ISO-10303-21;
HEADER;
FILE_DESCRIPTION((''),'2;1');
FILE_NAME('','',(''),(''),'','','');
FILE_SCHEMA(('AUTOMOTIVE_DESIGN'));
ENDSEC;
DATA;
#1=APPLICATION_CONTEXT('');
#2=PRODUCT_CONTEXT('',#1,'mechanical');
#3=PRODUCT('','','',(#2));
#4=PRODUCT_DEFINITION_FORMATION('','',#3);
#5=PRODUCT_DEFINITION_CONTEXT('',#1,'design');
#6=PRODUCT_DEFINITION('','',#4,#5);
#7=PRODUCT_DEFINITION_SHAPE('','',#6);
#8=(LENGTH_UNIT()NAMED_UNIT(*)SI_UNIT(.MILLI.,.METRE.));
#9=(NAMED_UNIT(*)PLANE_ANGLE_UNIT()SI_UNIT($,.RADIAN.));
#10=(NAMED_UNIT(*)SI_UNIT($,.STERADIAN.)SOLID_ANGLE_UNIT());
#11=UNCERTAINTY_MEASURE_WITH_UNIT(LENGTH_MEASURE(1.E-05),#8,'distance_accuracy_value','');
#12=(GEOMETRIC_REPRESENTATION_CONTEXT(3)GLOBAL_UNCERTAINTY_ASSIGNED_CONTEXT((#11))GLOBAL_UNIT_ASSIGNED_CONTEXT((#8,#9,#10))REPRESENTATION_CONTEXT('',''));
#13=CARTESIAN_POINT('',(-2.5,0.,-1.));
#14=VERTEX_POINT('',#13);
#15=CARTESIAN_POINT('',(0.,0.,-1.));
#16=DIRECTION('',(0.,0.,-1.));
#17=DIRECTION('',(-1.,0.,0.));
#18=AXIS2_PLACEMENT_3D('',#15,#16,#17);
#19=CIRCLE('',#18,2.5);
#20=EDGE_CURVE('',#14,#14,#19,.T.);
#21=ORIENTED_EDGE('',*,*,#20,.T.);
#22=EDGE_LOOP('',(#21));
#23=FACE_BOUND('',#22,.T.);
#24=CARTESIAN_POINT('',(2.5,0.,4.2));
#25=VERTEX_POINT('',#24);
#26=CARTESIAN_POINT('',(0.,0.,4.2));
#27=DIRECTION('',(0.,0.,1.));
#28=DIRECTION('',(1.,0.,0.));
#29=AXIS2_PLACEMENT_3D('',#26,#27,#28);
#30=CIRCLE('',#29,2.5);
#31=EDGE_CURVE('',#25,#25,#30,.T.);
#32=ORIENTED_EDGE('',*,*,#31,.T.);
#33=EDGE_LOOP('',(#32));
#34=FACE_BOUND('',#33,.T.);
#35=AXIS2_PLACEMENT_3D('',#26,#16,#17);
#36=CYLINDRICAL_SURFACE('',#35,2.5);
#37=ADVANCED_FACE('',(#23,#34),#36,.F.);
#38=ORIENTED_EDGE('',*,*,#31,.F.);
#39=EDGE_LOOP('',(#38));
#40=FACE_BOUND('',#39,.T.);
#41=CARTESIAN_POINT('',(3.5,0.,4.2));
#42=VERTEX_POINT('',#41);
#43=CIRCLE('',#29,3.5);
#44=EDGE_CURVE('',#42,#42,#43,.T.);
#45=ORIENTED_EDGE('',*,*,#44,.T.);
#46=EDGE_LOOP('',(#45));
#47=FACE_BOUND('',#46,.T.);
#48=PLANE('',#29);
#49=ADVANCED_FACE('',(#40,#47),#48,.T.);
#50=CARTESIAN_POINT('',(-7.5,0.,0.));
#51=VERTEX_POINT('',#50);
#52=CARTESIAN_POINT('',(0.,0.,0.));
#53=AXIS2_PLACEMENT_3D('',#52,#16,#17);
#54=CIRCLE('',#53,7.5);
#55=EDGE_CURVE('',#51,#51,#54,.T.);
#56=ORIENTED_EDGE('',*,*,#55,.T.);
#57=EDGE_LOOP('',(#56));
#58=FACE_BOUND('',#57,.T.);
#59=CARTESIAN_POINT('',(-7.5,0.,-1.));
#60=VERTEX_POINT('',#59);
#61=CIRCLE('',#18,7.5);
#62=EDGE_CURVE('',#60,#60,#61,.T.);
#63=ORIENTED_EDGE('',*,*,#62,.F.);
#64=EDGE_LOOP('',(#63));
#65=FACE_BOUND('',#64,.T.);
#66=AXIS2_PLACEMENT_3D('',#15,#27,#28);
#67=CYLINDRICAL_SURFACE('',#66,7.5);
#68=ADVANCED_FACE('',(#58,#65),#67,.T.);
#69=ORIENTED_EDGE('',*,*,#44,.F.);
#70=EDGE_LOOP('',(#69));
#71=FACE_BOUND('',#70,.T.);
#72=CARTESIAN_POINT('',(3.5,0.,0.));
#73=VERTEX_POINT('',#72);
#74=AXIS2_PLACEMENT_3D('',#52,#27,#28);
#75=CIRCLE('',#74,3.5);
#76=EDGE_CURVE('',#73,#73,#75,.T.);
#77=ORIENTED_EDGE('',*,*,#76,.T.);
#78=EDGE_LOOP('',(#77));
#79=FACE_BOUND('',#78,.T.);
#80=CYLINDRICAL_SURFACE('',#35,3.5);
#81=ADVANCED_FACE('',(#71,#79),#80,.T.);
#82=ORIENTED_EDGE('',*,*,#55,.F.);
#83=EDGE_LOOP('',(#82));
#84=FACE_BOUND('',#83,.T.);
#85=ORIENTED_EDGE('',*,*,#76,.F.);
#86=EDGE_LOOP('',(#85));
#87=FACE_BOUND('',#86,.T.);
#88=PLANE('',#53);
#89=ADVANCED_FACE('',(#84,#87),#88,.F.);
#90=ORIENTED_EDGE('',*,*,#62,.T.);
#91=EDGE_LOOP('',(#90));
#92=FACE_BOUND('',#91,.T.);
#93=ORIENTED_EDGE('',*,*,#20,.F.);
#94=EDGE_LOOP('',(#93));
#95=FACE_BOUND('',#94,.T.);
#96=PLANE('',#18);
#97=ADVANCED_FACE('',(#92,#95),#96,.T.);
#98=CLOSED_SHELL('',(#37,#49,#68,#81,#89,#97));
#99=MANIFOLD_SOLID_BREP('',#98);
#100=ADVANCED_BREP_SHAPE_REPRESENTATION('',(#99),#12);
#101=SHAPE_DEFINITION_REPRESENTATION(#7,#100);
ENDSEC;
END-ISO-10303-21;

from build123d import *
from build123d.topology import SkipClean

# Parameters (mm, degrees)
SKETCH_1_R      = 3.5
SKETCH_1_R_2    = 2.5
EXTRUDE_1_DEPTH = 4.2
EXTRUDE_START   = 1
SKETCH_2_R      = 7.5
SKETCH_2_R_2    = 2.5
EXTRUDE_2_DEPTH = 1


with BuildPart() as part:
    # 草圖1 → 填料-伸長1 (new body)
    with BuildSketch(Plane.XY):
        Circle(SKETCH_1_R)
        Circle(SKETCH_1_R_2, mode=Mode.SUBTRACT)
    extrude(amount=EXTRUDE_1_DEPTH)

    # 草圖2 → 填料-伸長2 (add)
    with SkipClean():  # the faces are left unmerged after this step: merging them gives an invalid solid
        with BuildSketch(Plane(origin=(0, 0, 0), x_dir=(-1, 0, 0), z_dir=(0, 0, -1)).offset(EXTRUDE_START)):
            Circle(SKETCH_2_R)
            Circle(SKETCH_2_R_2, mode=Mode.SUBTRACT)
        extrude(amount=-EXTRUDE_2_DEPTH)


solid = part.part
